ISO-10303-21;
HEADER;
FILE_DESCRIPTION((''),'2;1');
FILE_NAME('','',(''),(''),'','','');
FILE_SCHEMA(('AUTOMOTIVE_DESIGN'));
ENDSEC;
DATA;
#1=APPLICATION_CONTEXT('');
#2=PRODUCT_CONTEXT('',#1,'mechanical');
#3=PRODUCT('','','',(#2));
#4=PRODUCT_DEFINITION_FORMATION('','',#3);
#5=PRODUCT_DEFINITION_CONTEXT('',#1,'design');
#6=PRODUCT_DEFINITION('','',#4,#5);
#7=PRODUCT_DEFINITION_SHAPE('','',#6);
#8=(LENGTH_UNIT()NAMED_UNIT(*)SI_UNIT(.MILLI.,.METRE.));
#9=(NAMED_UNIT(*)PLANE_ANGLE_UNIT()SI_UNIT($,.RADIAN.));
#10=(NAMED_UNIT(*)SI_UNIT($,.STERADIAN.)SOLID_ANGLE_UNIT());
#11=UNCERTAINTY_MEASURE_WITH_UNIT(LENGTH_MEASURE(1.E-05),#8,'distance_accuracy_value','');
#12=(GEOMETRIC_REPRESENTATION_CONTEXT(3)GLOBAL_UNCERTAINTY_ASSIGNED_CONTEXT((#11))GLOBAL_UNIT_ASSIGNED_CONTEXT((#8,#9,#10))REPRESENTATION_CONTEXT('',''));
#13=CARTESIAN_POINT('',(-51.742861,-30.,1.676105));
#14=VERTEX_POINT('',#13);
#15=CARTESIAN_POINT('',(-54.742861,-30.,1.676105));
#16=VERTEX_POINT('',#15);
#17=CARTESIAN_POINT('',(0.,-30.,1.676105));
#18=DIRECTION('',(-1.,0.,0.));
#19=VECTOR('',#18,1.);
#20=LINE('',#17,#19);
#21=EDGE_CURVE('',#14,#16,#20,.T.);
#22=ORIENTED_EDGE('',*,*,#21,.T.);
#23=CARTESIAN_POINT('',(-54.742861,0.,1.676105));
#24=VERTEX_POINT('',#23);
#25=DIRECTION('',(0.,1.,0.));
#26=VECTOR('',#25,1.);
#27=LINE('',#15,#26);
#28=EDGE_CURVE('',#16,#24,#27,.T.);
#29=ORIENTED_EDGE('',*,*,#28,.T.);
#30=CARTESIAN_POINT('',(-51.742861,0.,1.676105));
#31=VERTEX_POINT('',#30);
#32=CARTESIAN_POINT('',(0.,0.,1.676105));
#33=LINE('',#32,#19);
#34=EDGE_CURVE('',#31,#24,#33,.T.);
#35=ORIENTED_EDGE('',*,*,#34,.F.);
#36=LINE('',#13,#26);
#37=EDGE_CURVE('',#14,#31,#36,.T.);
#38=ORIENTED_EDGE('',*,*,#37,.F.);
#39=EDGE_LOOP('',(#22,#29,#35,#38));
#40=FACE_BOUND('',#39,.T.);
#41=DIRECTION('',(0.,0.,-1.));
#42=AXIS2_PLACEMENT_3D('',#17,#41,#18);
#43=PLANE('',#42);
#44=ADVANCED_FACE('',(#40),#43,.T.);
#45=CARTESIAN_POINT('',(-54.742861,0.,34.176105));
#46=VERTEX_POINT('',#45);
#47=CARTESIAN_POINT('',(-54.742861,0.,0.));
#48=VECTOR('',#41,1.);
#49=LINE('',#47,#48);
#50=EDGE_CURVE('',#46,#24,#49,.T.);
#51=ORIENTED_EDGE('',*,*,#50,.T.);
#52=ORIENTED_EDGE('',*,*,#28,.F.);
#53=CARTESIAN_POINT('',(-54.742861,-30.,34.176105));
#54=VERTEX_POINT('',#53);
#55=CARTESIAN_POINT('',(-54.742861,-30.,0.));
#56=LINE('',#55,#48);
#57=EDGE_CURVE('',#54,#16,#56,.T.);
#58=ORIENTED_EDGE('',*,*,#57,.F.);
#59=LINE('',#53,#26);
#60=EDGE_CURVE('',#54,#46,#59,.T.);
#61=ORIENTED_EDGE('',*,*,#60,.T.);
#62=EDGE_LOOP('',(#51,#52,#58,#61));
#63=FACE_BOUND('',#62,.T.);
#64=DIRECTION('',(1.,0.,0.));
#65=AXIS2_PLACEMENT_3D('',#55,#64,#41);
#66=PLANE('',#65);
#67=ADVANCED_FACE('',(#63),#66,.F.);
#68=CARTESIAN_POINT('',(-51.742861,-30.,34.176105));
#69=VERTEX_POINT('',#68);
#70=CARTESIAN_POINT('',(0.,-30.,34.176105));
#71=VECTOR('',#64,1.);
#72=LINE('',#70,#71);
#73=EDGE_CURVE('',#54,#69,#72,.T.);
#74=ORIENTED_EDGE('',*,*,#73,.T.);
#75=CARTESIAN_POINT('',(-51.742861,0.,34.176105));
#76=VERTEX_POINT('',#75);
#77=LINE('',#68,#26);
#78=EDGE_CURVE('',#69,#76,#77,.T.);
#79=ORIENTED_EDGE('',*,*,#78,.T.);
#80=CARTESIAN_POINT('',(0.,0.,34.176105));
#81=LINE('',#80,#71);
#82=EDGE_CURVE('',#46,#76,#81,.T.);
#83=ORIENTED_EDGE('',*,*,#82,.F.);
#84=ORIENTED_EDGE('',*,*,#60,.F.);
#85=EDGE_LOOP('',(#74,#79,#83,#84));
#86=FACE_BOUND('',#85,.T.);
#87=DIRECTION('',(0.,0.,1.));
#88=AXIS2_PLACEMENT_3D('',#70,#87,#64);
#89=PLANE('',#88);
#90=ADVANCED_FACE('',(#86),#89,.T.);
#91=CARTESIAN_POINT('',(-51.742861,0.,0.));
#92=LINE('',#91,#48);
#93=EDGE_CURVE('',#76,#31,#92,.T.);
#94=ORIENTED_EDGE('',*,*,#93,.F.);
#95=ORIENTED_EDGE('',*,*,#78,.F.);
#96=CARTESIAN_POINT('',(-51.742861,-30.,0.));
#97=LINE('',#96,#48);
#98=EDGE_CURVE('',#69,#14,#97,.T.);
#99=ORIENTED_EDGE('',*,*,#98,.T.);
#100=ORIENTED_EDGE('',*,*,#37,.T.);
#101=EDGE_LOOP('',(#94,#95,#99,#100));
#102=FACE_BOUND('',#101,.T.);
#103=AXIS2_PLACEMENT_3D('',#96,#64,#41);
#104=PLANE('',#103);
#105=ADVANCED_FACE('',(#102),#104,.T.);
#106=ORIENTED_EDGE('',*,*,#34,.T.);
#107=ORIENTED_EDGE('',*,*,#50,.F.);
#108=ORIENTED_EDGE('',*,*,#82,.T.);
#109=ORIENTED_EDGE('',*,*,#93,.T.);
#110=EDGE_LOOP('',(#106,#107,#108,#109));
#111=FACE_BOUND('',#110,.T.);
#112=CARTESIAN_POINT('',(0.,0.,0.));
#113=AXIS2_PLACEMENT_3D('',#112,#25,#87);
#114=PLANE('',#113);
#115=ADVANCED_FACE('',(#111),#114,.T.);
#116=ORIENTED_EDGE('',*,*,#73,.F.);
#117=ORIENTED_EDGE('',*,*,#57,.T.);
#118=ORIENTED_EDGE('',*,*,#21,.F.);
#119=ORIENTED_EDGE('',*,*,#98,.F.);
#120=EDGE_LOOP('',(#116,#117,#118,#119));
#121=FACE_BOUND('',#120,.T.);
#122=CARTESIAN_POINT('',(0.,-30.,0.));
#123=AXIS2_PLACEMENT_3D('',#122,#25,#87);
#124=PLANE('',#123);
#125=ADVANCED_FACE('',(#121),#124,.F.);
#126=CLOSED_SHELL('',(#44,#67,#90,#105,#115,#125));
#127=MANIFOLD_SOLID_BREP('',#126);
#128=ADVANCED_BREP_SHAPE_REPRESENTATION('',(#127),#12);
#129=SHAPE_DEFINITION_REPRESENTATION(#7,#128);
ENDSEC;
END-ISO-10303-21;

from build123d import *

# Parameters (mm, degrees)
SKETCH1_W           = 3
SKETCH1_H           = 32.5
BOSS_EXTRUDE1_DEPTH = 30


with BuildPart() as part:
    # Sketch1 → Boss-Extrude1 (new body)
    with BuildSketch(Plane(origin=(0, 0, 0), x_dir=(1, 0, 0), z_dir=(0, 1, 0))):
        with Locations((-53.242861362, -17.926104556)):
            Rectangle(SKETCH1_W, SKETCH1_H)
    extrude(amount=-BOSS_EXTRUDE1_DEPTH)


solid = part.part
